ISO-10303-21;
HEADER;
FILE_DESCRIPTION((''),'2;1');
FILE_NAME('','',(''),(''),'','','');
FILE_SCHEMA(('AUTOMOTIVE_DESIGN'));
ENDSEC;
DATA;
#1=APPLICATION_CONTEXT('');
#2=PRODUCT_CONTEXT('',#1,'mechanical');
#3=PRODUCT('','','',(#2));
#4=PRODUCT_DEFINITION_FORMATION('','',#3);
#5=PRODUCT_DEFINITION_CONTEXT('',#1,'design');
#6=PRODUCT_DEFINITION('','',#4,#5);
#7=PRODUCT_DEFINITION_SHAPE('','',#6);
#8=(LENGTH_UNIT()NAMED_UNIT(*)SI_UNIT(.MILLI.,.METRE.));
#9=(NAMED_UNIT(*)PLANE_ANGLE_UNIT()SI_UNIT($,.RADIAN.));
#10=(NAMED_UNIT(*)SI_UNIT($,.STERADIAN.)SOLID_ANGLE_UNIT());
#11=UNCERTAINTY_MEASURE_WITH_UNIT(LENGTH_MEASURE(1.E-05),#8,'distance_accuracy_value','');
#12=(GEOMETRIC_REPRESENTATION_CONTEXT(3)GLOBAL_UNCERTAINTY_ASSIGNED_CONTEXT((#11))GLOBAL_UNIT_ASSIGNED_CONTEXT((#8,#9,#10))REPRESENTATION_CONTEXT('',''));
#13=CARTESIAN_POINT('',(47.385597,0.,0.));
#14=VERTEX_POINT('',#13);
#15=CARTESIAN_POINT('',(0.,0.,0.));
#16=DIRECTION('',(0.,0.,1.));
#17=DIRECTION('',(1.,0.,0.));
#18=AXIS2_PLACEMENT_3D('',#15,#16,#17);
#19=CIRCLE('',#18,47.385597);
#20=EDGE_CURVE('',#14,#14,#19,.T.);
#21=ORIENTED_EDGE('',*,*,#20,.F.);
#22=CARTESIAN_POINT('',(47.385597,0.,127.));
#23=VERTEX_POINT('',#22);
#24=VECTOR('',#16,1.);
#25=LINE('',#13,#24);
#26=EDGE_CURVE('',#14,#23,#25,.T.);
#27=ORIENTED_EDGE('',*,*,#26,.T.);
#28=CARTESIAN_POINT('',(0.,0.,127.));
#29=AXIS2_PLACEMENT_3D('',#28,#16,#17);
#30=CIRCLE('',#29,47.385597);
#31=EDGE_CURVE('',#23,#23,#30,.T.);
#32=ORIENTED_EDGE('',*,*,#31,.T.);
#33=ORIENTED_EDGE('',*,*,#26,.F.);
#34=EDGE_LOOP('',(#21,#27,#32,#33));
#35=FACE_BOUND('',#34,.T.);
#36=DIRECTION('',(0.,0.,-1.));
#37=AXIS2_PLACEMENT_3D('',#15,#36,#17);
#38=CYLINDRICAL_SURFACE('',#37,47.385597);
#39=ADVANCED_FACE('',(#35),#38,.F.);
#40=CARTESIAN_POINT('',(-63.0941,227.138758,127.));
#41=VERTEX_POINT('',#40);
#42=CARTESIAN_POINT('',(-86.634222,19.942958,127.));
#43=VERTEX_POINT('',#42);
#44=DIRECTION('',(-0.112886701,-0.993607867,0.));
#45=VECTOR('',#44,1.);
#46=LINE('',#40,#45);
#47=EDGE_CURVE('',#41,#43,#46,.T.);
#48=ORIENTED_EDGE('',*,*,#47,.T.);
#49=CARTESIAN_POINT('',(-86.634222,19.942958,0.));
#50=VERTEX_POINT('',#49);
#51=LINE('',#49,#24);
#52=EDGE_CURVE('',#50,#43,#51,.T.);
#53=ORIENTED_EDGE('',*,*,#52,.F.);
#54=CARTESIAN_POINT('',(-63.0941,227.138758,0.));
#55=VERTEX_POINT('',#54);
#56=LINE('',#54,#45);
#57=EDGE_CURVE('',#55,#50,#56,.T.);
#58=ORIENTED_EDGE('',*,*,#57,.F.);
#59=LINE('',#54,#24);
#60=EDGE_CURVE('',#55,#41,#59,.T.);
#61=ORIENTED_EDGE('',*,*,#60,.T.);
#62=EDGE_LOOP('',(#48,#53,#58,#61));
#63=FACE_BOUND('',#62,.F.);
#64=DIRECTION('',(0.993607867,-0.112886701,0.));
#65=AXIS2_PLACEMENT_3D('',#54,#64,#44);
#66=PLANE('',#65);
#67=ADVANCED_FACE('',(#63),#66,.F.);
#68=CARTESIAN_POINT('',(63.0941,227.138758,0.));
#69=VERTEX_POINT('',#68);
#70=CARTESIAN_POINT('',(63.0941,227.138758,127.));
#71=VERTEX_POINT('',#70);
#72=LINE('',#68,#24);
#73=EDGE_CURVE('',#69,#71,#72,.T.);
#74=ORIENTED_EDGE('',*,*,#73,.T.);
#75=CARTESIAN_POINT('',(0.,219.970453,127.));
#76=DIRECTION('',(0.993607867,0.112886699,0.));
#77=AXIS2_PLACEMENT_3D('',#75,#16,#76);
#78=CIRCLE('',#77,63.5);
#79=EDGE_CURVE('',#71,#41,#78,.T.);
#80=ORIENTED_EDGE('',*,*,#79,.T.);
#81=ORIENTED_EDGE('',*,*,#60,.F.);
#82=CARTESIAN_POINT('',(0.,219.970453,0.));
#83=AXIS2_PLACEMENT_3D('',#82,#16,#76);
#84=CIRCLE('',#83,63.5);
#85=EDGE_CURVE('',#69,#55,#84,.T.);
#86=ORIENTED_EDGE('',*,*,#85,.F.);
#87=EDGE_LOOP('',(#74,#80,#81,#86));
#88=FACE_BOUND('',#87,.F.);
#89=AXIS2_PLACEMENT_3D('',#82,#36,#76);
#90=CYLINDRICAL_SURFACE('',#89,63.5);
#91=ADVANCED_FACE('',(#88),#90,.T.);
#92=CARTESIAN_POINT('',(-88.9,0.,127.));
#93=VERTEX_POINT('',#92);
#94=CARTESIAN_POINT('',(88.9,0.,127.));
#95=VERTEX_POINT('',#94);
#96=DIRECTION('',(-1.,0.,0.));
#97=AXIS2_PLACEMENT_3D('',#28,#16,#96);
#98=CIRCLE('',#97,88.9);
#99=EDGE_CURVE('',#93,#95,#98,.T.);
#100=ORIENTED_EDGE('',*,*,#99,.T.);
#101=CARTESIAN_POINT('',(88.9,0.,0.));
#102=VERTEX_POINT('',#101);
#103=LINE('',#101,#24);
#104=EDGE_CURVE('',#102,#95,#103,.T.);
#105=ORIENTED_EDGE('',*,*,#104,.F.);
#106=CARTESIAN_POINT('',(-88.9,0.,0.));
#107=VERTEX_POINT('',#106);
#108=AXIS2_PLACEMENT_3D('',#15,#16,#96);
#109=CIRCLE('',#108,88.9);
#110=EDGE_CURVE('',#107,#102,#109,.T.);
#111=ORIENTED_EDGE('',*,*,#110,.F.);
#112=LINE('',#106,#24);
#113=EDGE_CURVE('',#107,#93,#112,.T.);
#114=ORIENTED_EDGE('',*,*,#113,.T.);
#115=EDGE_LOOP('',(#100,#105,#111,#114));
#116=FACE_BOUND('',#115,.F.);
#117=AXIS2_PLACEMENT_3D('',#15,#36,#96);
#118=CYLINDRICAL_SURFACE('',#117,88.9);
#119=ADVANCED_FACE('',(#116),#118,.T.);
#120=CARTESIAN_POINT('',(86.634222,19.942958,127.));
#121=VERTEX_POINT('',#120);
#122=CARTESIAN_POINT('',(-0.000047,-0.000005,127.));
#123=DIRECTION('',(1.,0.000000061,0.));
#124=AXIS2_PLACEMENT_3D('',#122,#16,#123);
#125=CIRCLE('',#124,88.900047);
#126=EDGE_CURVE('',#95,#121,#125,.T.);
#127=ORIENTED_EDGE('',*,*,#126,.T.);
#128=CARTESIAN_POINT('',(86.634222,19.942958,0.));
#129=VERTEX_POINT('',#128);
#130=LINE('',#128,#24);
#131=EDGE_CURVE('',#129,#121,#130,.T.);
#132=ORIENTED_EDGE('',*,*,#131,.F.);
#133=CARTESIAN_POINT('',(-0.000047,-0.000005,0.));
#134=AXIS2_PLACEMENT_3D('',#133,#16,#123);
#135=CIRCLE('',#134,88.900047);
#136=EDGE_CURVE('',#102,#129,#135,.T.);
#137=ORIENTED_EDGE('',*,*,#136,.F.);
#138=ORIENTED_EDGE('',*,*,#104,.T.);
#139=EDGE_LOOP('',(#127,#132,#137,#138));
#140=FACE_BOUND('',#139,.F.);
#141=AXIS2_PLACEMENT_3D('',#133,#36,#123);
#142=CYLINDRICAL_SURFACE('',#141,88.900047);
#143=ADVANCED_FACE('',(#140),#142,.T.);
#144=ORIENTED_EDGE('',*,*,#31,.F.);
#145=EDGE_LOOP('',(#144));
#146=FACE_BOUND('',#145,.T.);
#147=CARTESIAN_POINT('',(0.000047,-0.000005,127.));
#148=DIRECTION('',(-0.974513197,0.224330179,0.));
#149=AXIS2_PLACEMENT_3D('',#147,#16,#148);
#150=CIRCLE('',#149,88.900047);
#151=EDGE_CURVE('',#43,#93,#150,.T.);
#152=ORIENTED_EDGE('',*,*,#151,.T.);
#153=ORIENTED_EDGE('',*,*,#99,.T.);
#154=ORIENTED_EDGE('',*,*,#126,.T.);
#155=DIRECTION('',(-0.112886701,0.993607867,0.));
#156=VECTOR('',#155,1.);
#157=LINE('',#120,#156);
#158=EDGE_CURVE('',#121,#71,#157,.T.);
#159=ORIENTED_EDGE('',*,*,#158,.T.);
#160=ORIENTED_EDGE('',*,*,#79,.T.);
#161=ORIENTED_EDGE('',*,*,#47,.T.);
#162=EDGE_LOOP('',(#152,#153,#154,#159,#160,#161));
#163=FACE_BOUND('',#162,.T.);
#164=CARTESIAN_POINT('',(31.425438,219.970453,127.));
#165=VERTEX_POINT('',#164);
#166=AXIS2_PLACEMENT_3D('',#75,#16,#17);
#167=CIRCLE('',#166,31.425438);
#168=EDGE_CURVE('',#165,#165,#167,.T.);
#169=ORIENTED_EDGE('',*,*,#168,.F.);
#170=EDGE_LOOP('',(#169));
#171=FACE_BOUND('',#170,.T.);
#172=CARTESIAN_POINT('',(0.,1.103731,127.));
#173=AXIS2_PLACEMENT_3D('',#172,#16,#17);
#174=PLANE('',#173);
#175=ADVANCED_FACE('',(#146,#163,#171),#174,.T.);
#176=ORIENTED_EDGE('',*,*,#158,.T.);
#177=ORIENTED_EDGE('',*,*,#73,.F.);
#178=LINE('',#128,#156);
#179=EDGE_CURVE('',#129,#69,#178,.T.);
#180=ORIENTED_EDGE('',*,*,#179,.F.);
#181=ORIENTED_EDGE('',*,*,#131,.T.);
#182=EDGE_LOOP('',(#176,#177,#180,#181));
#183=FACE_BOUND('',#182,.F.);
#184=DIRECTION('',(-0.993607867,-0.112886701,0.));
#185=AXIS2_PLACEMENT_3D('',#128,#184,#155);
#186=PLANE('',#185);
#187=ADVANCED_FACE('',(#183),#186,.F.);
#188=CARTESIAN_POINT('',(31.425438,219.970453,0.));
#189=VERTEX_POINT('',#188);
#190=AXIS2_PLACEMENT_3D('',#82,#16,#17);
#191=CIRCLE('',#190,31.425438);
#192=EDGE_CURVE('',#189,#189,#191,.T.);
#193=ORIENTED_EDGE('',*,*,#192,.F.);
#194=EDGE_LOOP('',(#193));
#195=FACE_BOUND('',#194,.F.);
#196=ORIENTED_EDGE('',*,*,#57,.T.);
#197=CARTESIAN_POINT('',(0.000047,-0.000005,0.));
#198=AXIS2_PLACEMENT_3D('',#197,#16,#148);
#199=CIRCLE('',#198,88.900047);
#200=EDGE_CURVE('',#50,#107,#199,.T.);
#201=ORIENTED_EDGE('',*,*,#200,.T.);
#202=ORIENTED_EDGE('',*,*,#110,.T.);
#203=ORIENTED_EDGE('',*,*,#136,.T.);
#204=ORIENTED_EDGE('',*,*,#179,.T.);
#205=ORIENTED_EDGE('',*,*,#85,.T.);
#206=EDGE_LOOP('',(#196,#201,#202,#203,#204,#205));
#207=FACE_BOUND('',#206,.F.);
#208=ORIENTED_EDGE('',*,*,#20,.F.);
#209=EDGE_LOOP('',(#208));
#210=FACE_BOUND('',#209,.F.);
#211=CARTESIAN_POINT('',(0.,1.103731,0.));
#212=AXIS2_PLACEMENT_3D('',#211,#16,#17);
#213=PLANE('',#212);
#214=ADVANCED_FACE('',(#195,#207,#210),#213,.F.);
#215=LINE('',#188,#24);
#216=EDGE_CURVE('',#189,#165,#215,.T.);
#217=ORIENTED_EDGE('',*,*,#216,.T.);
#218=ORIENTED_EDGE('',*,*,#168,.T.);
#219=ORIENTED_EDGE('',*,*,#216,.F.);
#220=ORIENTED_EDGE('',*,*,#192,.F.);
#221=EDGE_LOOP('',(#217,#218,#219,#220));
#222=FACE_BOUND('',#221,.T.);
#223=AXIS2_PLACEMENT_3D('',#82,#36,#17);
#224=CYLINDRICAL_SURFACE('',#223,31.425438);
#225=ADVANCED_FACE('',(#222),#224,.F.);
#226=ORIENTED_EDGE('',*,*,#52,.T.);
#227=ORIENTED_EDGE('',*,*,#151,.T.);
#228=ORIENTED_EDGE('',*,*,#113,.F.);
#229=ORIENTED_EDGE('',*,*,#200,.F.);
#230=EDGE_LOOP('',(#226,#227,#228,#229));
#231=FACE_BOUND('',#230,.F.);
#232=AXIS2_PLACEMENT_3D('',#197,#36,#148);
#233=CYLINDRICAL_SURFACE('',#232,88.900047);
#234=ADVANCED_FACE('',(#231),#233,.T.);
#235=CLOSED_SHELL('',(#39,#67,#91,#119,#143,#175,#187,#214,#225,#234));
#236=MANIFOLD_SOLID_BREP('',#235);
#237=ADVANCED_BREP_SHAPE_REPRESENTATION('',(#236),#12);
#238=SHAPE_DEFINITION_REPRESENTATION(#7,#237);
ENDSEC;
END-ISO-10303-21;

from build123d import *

# Parameters (mm, degrees)
F0_R     = 47.385597
F0_R_2   = 31.425438
F1_DEPTH = 127


with BuildPart() as f1:
    # F0 (on Top) → F1 (new body)
    with BuildSketch(Plane.XY):
        with BuildLine():
            Line((-86.634222, 19.942958), (-88.9, 0))
            ThreePointArc((-88.9, 0), (0, -88.9), (88.9, 0))
            Line((88.9, 0), (86.634222, 19.942958))
            ThreePointArc((86.634222, 19.942958), (0, 88.9), (-86.634222, 19.942958))
        make_face()
        Circle(F0_R, mode=Mode.SUBTRACT)
        with BuildLine():
            ThreePointArc((-86.634222, 19.942958), (-88.331739, 10.035628), (-88.9, 0))
            Line((-88.9, 0), (-86.634222, 19.942958))
        make_face()
        with BuildLine():
            Line((86.634222, 19.942958), (88.9, 0))
            ThreePointArc((88.9, 0), (88.331739, 10.035628), (86.634222, 19.942958))
        make_face()
        with BuildLine():
            Line((-63.0941, 227.138758), (-86.634222, 19.942958))
            ThreePointArc((-86.634222, 19.942958), (0, 88.9), (86.634222, 19.942958))
            Line((86.634222, 19.942958), (63.0941, 227.138758))
            ThreePointArc((63.0941, 227.138758), (63.398444, 223.560347), (63.5, 219.970453))
            ThreePointArc((63.5, 219.970453), (-3.589894, 156.572009), (-63.0941, 227.138758))
        make_face()
        with BuildLine():
            ThreePointArc((63.0941, 227.138758), (0, 283.470453), (-63.0941, 227.138758))
            ThreePointArc((-63.0941, 227.138758), (-3.589894, 156.572009), (63.5, 219.970453))
            ThreePointArc((63.5, 219.970453), (63.398444, 223.560347), (63.0941, 227.138758))
        make_face()
        with Locations((0, 219.970453)):
            Circle(F0_R_2, mode=Mode.SUBTRACT)
    extrude(amount=F1_DEPTH)


solid = f1.part
